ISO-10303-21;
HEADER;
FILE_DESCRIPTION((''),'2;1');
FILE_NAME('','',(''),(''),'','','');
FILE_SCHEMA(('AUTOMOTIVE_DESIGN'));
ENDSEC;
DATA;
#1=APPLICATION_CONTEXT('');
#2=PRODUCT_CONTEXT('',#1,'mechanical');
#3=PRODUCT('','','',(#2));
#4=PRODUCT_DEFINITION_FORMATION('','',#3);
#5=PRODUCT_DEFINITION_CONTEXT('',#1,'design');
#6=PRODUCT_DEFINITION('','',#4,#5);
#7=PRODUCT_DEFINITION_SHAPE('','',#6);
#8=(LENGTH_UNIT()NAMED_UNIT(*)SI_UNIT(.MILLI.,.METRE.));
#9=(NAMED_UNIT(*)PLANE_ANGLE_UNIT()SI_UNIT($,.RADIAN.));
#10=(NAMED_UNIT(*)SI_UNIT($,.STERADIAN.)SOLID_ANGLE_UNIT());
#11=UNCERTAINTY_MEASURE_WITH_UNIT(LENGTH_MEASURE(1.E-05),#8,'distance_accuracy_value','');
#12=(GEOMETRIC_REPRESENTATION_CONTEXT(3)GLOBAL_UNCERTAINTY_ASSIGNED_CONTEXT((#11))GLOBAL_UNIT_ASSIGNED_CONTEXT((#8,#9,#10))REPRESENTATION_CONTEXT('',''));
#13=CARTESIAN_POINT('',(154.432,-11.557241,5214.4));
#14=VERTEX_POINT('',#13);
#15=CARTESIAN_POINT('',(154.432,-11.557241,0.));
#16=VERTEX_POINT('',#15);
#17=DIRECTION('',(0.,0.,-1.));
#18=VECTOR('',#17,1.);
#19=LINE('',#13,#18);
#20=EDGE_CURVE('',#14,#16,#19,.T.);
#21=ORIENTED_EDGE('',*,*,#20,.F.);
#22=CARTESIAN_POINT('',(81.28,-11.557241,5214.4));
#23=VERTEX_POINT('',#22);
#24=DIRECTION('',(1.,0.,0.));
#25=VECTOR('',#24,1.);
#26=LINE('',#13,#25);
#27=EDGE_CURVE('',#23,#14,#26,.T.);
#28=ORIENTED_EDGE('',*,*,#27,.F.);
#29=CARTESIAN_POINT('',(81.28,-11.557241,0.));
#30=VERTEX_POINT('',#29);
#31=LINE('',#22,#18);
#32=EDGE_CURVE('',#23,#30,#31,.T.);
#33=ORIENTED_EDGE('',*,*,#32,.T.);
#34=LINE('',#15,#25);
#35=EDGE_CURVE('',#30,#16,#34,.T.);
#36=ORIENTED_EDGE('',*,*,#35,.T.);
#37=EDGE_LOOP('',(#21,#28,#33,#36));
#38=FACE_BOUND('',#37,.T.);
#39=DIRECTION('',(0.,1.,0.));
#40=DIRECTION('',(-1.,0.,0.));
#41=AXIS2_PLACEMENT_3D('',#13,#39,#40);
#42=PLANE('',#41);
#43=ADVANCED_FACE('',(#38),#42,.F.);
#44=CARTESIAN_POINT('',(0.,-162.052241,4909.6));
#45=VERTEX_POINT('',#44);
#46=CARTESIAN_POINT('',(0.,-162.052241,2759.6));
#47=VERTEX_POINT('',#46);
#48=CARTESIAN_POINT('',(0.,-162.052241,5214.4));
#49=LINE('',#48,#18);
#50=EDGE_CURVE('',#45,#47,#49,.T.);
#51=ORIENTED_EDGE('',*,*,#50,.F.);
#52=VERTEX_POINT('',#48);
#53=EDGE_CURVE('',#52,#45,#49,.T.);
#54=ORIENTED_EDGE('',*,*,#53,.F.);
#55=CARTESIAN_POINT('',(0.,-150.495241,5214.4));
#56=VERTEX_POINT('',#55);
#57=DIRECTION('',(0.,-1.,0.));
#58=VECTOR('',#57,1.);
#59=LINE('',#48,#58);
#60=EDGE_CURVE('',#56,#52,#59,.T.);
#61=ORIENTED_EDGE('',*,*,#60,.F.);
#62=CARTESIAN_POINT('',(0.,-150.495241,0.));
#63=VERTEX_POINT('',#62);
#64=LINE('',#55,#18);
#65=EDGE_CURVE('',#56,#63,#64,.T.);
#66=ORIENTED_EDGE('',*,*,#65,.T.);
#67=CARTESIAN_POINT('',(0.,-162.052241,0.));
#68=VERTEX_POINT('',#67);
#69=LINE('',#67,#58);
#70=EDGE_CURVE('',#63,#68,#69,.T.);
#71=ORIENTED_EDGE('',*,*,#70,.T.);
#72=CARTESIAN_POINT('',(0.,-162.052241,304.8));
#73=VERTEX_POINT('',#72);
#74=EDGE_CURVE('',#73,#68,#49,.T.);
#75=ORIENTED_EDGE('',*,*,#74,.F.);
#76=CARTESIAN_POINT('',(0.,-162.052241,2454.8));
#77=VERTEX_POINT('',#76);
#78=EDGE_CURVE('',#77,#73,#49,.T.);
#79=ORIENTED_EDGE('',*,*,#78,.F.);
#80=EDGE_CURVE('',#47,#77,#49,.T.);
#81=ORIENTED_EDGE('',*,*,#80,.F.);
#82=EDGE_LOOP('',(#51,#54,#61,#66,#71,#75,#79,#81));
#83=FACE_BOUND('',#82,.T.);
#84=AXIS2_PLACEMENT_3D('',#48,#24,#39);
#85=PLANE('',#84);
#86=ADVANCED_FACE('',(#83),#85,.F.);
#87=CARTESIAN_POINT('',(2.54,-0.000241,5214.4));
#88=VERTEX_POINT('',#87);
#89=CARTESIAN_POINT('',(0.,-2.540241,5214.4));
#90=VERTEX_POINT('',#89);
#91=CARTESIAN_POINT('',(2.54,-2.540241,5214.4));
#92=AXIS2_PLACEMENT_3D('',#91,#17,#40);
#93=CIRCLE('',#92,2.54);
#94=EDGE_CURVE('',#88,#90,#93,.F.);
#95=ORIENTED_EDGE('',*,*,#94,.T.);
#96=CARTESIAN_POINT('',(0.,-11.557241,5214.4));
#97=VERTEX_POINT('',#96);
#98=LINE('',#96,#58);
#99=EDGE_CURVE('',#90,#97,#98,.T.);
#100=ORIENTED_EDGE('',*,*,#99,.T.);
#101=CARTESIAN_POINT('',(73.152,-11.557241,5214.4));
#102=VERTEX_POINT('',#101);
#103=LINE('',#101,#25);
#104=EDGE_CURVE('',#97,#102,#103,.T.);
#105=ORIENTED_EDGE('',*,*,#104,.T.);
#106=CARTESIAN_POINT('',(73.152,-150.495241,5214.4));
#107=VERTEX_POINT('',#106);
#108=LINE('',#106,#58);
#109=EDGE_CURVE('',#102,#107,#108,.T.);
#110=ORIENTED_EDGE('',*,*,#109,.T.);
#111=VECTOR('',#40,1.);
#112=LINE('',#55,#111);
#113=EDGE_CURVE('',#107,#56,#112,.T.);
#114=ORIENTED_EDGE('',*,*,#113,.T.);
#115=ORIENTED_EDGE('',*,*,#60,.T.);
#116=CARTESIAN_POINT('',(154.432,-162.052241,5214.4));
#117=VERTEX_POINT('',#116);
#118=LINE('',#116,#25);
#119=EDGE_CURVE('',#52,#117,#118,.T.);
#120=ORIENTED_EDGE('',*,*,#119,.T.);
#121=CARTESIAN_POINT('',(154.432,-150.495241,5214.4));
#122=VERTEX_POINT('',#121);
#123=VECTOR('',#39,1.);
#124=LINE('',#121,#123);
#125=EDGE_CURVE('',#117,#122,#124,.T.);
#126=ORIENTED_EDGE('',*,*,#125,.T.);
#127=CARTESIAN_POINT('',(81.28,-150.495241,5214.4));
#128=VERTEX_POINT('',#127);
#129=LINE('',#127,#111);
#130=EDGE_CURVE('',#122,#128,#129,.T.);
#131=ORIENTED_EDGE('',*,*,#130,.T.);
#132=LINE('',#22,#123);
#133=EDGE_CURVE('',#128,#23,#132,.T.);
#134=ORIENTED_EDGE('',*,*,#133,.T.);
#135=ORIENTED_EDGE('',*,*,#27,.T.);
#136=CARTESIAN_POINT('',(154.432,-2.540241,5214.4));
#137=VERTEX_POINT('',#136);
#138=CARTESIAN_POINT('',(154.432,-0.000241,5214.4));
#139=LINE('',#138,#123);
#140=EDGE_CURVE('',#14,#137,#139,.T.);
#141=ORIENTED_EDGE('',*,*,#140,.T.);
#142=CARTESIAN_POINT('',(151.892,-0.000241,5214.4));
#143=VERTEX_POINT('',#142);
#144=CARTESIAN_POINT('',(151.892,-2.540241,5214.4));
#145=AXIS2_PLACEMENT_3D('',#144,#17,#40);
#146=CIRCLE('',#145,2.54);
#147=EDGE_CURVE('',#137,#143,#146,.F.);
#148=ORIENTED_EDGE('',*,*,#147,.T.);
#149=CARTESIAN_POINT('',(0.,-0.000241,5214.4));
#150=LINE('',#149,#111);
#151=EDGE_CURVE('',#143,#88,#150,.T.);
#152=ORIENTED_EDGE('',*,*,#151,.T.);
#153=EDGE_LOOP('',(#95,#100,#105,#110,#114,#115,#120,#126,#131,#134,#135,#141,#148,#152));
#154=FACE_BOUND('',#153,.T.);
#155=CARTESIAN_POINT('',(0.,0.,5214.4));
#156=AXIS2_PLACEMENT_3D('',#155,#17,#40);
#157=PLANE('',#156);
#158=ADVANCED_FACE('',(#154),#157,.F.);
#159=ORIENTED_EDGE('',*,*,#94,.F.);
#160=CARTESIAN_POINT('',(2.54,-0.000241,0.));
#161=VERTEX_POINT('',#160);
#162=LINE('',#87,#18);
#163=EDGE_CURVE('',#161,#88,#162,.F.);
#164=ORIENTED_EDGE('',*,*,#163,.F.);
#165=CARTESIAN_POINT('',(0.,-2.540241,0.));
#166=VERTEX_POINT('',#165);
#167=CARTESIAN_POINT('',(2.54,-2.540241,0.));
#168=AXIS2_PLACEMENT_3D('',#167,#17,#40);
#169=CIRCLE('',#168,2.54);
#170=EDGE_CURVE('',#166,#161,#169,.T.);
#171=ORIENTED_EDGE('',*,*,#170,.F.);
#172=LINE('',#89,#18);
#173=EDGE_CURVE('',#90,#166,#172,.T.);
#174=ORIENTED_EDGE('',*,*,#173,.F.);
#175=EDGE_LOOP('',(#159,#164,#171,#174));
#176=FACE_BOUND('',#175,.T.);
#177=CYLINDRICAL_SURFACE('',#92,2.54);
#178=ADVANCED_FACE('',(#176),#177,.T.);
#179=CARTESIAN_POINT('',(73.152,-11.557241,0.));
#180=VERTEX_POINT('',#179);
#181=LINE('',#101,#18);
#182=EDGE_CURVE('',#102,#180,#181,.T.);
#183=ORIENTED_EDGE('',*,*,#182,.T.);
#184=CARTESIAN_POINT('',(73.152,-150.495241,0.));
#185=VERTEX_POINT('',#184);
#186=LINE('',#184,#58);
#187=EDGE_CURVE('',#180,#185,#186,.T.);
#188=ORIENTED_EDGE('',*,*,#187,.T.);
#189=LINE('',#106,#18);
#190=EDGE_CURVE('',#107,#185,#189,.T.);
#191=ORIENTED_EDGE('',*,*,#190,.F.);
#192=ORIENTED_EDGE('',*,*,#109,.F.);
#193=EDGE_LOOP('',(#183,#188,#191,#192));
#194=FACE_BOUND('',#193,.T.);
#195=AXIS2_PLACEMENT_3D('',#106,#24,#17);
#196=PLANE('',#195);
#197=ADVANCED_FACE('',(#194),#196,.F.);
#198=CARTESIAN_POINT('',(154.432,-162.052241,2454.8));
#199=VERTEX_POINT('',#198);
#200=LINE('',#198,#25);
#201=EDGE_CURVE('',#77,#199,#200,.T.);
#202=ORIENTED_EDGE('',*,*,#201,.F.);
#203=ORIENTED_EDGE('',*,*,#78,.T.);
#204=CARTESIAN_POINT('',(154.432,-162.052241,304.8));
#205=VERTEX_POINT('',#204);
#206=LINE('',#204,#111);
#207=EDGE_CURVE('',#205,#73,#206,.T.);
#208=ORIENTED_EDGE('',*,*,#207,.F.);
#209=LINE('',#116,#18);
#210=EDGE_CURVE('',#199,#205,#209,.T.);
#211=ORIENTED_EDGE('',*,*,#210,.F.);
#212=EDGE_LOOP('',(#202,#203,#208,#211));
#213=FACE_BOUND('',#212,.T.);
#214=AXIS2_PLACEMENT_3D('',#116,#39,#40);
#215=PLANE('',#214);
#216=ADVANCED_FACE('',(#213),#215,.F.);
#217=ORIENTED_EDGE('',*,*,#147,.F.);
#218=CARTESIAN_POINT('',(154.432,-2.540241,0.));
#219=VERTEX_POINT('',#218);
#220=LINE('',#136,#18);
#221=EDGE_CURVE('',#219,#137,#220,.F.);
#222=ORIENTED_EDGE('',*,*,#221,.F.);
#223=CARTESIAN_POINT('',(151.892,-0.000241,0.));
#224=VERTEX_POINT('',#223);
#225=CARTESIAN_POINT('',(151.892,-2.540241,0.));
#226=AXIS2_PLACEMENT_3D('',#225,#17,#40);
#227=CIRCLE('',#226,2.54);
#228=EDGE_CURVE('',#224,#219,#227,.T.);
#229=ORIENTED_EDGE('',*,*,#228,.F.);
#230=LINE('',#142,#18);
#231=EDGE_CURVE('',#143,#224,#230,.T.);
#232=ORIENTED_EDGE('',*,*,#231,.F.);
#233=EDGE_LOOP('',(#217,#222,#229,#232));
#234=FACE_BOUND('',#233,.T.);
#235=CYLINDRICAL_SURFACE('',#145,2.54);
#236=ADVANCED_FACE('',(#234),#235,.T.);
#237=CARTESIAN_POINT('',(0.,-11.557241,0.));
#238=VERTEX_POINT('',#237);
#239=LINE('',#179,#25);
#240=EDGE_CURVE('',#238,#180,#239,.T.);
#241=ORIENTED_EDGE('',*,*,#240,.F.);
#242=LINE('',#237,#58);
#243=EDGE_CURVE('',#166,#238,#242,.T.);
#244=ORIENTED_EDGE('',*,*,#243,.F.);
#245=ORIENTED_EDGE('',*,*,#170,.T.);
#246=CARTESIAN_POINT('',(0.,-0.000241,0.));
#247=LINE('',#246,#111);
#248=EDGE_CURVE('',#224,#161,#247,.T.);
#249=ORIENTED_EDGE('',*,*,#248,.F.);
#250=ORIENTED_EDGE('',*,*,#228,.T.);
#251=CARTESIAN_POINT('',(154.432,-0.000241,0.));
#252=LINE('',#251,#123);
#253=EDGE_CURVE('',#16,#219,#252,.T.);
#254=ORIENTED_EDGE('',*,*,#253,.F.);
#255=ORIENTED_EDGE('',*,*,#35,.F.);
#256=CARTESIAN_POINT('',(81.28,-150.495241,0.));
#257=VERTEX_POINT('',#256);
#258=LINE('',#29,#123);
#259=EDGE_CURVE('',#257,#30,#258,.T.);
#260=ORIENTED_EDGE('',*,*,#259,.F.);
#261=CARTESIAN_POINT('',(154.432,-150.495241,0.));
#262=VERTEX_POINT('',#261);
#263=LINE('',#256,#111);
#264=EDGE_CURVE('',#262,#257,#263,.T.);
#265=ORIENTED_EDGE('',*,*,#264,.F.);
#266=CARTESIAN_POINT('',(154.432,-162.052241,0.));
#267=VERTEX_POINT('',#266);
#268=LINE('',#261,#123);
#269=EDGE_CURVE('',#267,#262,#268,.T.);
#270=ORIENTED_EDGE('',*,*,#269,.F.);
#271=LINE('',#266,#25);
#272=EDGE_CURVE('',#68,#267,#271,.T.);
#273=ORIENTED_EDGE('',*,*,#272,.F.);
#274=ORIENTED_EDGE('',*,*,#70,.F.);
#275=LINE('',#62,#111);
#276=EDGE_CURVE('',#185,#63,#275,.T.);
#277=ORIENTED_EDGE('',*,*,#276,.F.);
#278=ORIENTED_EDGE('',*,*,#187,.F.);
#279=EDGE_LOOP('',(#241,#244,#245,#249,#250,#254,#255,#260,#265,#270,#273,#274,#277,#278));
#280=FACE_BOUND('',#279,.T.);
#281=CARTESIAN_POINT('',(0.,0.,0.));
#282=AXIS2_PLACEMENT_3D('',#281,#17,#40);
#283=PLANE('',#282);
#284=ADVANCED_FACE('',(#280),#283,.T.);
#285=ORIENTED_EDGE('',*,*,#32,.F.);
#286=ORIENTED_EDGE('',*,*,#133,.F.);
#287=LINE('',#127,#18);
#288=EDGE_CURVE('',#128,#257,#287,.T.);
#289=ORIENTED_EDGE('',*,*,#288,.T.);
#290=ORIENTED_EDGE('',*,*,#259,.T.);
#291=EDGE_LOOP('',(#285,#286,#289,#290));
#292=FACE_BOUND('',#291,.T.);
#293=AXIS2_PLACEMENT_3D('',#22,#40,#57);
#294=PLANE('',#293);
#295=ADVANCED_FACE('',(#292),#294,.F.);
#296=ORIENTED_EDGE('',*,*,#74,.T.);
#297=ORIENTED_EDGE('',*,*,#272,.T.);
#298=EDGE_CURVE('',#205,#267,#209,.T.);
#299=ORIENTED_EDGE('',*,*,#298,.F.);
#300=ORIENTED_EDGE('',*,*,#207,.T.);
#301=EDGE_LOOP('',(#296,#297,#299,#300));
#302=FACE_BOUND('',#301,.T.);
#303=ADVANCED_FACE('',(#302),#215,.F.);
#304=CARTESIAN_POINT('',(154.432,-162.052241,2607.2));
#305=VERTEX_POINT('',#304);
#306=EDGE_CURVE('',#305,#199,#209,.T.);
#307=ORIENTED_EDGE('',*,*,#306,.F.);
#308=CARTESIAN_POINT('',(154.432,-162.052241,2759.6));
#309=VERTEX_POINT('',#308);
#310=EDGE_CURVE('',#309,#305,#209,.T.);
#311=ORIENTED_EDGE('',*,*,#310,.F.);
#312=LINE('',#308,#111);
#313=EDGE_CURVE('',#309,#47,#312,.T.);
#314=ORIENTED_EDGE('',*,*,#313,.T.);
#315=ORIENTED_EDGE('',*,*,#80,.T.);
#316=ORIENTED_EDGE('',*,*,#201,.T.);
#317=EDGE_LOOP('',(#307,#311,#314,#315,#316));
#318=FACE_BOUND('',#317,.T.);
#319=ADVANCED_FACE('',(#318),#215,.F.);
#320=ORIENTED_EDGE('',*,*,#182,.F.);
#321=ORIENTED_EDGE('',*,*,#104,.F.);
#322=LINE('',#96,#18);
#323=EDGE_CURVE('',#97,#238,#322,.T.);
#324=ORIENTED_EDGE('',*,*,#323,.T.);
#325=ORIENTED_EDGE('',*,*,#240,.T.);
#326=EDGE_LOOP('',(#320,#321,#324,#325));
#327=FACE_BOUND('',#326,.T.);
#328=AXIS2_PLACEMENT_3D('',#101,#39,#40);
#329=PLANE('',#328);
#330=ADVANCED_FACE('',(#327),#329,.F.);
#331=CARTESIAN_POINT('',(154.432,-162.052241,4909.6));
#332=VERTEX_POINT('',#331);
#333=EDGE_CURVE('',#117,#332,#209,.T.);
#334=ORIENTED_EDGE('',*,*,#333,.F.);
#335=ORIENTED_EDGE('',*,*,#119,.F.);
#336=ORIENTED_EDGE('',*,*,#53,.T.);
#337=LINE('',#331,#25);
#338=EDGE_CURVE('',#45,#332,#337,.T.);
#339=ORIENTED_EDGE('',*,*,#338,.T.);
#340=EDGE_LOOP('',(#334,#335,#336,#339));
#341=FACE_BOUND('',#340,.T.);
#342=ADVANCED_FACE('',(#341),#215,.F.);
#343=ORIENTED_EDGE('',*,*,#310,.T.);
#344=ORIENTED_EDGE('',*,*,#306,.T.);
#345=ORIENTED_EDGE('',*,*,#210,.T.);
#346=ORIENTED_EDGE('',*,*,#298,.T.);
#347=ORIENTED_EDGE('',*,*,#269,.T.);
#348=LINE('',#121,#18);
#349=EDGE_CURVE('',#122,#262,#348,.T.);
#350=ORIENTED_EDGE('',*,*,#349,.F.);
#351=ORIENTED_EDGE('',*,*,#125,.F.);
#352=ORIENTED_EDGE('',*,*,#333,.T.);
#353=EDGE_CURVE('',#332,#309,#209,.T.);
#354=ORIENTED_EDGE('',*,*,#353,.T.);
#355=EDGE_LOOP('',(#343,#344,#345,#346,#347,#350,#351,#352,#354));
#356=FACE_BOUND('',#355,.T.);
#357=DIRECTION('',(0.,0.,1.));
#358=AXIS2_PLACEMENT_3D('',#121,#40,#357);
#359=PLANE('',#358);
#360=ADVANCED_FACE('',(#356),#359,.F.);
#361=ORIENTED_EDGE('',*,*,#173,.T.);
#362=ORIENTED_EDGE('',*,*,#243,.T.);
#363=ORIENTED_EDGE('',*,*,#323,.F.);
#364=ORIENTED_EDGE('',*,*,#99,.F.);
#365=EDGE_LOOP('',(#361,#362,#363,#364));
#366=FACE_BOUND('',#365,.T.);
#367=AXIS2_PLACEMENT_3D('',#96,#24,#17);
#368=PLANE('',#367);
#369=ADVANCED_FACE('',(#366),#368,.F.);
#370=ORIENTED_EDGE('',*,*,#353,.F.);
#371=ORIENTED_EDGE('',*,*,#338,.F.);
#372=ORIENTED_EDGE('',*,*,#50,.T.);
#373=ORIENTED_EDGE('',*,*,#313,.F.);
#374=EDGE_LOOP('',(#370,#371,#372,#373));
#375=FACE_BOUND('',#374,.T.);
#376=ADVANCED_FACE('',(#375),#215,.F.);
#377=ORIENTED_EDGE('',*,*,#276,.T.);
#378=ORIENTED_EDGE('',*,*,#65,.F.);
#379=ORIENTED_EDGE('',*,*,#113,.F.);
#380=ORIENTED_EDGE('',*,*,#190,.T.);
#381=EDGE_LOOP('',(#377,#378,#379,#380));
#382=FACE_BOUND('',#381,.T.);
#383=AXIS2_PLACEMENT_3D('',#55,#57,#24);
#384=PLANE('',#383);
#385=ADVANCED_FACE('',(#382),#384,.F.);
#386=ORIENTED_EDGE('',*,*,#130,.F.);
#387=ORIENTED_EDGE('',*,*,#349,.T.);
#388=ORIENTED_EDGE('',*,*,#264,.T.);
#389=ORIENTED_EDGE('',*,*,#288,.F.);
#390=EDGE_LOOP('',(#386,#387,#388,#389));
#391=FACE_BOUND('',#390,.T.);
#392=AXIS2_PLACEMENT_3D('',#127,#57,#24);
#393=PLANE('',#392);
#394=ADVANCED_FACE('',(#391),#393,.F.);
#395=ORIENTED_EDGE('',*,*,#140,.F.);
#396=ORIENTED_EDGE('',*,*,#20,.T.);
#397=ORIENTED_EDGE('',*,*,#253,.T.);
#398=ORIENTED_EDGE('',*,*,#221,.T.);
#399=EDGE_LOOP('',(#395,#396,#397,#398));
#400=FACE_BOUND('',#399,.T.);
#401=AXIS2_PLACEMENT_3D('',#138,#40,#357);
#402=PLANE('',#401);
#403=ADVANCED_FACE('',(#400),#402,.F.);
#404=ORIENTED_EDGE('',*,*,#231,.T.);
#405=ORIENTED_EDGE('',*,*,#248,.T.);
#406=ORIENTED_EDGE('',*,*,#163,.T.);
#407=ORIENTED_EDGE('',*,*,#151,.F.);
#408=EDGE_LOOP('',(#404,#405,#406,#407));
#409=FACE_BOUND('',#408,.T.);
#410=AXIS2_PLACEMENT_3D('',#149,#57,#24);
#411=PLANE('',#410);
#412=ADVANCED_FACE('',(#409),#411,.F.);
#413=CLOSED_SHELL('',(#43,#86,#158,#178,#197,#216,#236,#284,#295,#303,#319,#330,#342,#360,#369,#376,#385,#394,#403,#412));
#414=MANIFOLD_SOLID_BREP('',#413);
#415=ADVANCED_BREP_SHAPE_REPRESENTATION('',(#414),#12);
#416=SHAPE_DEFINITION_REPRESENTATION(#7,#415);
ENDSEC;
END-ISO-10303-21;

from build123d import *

# Parameters (mm, degrees)
BOSS_EXTRUDE1_DEPTH = 5214.4
FILLET1_R           = 2.54


with BuildPart() as part:
    # Sketch1 → Boss-Extrude1 (new body)
    with BuildSketch(Plane.XY):
        Polygon((0, -0.000240533), (154.432, -0.000240533), (154.432, -11.557240533), (81.28, -11.557240533), (81.28, -150.495240533), (154.432, -150.495240533), (154.432, -162.052240533), (0, -162.052240533), (0, -150.495240533), (73.152, -150.495240533), (73.152, -11.557240533), (0, -11.557240533), align=None)
    extrude(amount=BOSS_EXTRUDE1_DEPTH)

    # Fillet1
    fillet1_edges = [part.edges().sort_by_distance(p)[0] for p in [
        (0, -0.000240533, 2607.2),
        (154.432, -0.000240533, 2607.2),
    ]]
    fillet(fillet1_edges, radius=FILLET1_R)


solid = part.part
